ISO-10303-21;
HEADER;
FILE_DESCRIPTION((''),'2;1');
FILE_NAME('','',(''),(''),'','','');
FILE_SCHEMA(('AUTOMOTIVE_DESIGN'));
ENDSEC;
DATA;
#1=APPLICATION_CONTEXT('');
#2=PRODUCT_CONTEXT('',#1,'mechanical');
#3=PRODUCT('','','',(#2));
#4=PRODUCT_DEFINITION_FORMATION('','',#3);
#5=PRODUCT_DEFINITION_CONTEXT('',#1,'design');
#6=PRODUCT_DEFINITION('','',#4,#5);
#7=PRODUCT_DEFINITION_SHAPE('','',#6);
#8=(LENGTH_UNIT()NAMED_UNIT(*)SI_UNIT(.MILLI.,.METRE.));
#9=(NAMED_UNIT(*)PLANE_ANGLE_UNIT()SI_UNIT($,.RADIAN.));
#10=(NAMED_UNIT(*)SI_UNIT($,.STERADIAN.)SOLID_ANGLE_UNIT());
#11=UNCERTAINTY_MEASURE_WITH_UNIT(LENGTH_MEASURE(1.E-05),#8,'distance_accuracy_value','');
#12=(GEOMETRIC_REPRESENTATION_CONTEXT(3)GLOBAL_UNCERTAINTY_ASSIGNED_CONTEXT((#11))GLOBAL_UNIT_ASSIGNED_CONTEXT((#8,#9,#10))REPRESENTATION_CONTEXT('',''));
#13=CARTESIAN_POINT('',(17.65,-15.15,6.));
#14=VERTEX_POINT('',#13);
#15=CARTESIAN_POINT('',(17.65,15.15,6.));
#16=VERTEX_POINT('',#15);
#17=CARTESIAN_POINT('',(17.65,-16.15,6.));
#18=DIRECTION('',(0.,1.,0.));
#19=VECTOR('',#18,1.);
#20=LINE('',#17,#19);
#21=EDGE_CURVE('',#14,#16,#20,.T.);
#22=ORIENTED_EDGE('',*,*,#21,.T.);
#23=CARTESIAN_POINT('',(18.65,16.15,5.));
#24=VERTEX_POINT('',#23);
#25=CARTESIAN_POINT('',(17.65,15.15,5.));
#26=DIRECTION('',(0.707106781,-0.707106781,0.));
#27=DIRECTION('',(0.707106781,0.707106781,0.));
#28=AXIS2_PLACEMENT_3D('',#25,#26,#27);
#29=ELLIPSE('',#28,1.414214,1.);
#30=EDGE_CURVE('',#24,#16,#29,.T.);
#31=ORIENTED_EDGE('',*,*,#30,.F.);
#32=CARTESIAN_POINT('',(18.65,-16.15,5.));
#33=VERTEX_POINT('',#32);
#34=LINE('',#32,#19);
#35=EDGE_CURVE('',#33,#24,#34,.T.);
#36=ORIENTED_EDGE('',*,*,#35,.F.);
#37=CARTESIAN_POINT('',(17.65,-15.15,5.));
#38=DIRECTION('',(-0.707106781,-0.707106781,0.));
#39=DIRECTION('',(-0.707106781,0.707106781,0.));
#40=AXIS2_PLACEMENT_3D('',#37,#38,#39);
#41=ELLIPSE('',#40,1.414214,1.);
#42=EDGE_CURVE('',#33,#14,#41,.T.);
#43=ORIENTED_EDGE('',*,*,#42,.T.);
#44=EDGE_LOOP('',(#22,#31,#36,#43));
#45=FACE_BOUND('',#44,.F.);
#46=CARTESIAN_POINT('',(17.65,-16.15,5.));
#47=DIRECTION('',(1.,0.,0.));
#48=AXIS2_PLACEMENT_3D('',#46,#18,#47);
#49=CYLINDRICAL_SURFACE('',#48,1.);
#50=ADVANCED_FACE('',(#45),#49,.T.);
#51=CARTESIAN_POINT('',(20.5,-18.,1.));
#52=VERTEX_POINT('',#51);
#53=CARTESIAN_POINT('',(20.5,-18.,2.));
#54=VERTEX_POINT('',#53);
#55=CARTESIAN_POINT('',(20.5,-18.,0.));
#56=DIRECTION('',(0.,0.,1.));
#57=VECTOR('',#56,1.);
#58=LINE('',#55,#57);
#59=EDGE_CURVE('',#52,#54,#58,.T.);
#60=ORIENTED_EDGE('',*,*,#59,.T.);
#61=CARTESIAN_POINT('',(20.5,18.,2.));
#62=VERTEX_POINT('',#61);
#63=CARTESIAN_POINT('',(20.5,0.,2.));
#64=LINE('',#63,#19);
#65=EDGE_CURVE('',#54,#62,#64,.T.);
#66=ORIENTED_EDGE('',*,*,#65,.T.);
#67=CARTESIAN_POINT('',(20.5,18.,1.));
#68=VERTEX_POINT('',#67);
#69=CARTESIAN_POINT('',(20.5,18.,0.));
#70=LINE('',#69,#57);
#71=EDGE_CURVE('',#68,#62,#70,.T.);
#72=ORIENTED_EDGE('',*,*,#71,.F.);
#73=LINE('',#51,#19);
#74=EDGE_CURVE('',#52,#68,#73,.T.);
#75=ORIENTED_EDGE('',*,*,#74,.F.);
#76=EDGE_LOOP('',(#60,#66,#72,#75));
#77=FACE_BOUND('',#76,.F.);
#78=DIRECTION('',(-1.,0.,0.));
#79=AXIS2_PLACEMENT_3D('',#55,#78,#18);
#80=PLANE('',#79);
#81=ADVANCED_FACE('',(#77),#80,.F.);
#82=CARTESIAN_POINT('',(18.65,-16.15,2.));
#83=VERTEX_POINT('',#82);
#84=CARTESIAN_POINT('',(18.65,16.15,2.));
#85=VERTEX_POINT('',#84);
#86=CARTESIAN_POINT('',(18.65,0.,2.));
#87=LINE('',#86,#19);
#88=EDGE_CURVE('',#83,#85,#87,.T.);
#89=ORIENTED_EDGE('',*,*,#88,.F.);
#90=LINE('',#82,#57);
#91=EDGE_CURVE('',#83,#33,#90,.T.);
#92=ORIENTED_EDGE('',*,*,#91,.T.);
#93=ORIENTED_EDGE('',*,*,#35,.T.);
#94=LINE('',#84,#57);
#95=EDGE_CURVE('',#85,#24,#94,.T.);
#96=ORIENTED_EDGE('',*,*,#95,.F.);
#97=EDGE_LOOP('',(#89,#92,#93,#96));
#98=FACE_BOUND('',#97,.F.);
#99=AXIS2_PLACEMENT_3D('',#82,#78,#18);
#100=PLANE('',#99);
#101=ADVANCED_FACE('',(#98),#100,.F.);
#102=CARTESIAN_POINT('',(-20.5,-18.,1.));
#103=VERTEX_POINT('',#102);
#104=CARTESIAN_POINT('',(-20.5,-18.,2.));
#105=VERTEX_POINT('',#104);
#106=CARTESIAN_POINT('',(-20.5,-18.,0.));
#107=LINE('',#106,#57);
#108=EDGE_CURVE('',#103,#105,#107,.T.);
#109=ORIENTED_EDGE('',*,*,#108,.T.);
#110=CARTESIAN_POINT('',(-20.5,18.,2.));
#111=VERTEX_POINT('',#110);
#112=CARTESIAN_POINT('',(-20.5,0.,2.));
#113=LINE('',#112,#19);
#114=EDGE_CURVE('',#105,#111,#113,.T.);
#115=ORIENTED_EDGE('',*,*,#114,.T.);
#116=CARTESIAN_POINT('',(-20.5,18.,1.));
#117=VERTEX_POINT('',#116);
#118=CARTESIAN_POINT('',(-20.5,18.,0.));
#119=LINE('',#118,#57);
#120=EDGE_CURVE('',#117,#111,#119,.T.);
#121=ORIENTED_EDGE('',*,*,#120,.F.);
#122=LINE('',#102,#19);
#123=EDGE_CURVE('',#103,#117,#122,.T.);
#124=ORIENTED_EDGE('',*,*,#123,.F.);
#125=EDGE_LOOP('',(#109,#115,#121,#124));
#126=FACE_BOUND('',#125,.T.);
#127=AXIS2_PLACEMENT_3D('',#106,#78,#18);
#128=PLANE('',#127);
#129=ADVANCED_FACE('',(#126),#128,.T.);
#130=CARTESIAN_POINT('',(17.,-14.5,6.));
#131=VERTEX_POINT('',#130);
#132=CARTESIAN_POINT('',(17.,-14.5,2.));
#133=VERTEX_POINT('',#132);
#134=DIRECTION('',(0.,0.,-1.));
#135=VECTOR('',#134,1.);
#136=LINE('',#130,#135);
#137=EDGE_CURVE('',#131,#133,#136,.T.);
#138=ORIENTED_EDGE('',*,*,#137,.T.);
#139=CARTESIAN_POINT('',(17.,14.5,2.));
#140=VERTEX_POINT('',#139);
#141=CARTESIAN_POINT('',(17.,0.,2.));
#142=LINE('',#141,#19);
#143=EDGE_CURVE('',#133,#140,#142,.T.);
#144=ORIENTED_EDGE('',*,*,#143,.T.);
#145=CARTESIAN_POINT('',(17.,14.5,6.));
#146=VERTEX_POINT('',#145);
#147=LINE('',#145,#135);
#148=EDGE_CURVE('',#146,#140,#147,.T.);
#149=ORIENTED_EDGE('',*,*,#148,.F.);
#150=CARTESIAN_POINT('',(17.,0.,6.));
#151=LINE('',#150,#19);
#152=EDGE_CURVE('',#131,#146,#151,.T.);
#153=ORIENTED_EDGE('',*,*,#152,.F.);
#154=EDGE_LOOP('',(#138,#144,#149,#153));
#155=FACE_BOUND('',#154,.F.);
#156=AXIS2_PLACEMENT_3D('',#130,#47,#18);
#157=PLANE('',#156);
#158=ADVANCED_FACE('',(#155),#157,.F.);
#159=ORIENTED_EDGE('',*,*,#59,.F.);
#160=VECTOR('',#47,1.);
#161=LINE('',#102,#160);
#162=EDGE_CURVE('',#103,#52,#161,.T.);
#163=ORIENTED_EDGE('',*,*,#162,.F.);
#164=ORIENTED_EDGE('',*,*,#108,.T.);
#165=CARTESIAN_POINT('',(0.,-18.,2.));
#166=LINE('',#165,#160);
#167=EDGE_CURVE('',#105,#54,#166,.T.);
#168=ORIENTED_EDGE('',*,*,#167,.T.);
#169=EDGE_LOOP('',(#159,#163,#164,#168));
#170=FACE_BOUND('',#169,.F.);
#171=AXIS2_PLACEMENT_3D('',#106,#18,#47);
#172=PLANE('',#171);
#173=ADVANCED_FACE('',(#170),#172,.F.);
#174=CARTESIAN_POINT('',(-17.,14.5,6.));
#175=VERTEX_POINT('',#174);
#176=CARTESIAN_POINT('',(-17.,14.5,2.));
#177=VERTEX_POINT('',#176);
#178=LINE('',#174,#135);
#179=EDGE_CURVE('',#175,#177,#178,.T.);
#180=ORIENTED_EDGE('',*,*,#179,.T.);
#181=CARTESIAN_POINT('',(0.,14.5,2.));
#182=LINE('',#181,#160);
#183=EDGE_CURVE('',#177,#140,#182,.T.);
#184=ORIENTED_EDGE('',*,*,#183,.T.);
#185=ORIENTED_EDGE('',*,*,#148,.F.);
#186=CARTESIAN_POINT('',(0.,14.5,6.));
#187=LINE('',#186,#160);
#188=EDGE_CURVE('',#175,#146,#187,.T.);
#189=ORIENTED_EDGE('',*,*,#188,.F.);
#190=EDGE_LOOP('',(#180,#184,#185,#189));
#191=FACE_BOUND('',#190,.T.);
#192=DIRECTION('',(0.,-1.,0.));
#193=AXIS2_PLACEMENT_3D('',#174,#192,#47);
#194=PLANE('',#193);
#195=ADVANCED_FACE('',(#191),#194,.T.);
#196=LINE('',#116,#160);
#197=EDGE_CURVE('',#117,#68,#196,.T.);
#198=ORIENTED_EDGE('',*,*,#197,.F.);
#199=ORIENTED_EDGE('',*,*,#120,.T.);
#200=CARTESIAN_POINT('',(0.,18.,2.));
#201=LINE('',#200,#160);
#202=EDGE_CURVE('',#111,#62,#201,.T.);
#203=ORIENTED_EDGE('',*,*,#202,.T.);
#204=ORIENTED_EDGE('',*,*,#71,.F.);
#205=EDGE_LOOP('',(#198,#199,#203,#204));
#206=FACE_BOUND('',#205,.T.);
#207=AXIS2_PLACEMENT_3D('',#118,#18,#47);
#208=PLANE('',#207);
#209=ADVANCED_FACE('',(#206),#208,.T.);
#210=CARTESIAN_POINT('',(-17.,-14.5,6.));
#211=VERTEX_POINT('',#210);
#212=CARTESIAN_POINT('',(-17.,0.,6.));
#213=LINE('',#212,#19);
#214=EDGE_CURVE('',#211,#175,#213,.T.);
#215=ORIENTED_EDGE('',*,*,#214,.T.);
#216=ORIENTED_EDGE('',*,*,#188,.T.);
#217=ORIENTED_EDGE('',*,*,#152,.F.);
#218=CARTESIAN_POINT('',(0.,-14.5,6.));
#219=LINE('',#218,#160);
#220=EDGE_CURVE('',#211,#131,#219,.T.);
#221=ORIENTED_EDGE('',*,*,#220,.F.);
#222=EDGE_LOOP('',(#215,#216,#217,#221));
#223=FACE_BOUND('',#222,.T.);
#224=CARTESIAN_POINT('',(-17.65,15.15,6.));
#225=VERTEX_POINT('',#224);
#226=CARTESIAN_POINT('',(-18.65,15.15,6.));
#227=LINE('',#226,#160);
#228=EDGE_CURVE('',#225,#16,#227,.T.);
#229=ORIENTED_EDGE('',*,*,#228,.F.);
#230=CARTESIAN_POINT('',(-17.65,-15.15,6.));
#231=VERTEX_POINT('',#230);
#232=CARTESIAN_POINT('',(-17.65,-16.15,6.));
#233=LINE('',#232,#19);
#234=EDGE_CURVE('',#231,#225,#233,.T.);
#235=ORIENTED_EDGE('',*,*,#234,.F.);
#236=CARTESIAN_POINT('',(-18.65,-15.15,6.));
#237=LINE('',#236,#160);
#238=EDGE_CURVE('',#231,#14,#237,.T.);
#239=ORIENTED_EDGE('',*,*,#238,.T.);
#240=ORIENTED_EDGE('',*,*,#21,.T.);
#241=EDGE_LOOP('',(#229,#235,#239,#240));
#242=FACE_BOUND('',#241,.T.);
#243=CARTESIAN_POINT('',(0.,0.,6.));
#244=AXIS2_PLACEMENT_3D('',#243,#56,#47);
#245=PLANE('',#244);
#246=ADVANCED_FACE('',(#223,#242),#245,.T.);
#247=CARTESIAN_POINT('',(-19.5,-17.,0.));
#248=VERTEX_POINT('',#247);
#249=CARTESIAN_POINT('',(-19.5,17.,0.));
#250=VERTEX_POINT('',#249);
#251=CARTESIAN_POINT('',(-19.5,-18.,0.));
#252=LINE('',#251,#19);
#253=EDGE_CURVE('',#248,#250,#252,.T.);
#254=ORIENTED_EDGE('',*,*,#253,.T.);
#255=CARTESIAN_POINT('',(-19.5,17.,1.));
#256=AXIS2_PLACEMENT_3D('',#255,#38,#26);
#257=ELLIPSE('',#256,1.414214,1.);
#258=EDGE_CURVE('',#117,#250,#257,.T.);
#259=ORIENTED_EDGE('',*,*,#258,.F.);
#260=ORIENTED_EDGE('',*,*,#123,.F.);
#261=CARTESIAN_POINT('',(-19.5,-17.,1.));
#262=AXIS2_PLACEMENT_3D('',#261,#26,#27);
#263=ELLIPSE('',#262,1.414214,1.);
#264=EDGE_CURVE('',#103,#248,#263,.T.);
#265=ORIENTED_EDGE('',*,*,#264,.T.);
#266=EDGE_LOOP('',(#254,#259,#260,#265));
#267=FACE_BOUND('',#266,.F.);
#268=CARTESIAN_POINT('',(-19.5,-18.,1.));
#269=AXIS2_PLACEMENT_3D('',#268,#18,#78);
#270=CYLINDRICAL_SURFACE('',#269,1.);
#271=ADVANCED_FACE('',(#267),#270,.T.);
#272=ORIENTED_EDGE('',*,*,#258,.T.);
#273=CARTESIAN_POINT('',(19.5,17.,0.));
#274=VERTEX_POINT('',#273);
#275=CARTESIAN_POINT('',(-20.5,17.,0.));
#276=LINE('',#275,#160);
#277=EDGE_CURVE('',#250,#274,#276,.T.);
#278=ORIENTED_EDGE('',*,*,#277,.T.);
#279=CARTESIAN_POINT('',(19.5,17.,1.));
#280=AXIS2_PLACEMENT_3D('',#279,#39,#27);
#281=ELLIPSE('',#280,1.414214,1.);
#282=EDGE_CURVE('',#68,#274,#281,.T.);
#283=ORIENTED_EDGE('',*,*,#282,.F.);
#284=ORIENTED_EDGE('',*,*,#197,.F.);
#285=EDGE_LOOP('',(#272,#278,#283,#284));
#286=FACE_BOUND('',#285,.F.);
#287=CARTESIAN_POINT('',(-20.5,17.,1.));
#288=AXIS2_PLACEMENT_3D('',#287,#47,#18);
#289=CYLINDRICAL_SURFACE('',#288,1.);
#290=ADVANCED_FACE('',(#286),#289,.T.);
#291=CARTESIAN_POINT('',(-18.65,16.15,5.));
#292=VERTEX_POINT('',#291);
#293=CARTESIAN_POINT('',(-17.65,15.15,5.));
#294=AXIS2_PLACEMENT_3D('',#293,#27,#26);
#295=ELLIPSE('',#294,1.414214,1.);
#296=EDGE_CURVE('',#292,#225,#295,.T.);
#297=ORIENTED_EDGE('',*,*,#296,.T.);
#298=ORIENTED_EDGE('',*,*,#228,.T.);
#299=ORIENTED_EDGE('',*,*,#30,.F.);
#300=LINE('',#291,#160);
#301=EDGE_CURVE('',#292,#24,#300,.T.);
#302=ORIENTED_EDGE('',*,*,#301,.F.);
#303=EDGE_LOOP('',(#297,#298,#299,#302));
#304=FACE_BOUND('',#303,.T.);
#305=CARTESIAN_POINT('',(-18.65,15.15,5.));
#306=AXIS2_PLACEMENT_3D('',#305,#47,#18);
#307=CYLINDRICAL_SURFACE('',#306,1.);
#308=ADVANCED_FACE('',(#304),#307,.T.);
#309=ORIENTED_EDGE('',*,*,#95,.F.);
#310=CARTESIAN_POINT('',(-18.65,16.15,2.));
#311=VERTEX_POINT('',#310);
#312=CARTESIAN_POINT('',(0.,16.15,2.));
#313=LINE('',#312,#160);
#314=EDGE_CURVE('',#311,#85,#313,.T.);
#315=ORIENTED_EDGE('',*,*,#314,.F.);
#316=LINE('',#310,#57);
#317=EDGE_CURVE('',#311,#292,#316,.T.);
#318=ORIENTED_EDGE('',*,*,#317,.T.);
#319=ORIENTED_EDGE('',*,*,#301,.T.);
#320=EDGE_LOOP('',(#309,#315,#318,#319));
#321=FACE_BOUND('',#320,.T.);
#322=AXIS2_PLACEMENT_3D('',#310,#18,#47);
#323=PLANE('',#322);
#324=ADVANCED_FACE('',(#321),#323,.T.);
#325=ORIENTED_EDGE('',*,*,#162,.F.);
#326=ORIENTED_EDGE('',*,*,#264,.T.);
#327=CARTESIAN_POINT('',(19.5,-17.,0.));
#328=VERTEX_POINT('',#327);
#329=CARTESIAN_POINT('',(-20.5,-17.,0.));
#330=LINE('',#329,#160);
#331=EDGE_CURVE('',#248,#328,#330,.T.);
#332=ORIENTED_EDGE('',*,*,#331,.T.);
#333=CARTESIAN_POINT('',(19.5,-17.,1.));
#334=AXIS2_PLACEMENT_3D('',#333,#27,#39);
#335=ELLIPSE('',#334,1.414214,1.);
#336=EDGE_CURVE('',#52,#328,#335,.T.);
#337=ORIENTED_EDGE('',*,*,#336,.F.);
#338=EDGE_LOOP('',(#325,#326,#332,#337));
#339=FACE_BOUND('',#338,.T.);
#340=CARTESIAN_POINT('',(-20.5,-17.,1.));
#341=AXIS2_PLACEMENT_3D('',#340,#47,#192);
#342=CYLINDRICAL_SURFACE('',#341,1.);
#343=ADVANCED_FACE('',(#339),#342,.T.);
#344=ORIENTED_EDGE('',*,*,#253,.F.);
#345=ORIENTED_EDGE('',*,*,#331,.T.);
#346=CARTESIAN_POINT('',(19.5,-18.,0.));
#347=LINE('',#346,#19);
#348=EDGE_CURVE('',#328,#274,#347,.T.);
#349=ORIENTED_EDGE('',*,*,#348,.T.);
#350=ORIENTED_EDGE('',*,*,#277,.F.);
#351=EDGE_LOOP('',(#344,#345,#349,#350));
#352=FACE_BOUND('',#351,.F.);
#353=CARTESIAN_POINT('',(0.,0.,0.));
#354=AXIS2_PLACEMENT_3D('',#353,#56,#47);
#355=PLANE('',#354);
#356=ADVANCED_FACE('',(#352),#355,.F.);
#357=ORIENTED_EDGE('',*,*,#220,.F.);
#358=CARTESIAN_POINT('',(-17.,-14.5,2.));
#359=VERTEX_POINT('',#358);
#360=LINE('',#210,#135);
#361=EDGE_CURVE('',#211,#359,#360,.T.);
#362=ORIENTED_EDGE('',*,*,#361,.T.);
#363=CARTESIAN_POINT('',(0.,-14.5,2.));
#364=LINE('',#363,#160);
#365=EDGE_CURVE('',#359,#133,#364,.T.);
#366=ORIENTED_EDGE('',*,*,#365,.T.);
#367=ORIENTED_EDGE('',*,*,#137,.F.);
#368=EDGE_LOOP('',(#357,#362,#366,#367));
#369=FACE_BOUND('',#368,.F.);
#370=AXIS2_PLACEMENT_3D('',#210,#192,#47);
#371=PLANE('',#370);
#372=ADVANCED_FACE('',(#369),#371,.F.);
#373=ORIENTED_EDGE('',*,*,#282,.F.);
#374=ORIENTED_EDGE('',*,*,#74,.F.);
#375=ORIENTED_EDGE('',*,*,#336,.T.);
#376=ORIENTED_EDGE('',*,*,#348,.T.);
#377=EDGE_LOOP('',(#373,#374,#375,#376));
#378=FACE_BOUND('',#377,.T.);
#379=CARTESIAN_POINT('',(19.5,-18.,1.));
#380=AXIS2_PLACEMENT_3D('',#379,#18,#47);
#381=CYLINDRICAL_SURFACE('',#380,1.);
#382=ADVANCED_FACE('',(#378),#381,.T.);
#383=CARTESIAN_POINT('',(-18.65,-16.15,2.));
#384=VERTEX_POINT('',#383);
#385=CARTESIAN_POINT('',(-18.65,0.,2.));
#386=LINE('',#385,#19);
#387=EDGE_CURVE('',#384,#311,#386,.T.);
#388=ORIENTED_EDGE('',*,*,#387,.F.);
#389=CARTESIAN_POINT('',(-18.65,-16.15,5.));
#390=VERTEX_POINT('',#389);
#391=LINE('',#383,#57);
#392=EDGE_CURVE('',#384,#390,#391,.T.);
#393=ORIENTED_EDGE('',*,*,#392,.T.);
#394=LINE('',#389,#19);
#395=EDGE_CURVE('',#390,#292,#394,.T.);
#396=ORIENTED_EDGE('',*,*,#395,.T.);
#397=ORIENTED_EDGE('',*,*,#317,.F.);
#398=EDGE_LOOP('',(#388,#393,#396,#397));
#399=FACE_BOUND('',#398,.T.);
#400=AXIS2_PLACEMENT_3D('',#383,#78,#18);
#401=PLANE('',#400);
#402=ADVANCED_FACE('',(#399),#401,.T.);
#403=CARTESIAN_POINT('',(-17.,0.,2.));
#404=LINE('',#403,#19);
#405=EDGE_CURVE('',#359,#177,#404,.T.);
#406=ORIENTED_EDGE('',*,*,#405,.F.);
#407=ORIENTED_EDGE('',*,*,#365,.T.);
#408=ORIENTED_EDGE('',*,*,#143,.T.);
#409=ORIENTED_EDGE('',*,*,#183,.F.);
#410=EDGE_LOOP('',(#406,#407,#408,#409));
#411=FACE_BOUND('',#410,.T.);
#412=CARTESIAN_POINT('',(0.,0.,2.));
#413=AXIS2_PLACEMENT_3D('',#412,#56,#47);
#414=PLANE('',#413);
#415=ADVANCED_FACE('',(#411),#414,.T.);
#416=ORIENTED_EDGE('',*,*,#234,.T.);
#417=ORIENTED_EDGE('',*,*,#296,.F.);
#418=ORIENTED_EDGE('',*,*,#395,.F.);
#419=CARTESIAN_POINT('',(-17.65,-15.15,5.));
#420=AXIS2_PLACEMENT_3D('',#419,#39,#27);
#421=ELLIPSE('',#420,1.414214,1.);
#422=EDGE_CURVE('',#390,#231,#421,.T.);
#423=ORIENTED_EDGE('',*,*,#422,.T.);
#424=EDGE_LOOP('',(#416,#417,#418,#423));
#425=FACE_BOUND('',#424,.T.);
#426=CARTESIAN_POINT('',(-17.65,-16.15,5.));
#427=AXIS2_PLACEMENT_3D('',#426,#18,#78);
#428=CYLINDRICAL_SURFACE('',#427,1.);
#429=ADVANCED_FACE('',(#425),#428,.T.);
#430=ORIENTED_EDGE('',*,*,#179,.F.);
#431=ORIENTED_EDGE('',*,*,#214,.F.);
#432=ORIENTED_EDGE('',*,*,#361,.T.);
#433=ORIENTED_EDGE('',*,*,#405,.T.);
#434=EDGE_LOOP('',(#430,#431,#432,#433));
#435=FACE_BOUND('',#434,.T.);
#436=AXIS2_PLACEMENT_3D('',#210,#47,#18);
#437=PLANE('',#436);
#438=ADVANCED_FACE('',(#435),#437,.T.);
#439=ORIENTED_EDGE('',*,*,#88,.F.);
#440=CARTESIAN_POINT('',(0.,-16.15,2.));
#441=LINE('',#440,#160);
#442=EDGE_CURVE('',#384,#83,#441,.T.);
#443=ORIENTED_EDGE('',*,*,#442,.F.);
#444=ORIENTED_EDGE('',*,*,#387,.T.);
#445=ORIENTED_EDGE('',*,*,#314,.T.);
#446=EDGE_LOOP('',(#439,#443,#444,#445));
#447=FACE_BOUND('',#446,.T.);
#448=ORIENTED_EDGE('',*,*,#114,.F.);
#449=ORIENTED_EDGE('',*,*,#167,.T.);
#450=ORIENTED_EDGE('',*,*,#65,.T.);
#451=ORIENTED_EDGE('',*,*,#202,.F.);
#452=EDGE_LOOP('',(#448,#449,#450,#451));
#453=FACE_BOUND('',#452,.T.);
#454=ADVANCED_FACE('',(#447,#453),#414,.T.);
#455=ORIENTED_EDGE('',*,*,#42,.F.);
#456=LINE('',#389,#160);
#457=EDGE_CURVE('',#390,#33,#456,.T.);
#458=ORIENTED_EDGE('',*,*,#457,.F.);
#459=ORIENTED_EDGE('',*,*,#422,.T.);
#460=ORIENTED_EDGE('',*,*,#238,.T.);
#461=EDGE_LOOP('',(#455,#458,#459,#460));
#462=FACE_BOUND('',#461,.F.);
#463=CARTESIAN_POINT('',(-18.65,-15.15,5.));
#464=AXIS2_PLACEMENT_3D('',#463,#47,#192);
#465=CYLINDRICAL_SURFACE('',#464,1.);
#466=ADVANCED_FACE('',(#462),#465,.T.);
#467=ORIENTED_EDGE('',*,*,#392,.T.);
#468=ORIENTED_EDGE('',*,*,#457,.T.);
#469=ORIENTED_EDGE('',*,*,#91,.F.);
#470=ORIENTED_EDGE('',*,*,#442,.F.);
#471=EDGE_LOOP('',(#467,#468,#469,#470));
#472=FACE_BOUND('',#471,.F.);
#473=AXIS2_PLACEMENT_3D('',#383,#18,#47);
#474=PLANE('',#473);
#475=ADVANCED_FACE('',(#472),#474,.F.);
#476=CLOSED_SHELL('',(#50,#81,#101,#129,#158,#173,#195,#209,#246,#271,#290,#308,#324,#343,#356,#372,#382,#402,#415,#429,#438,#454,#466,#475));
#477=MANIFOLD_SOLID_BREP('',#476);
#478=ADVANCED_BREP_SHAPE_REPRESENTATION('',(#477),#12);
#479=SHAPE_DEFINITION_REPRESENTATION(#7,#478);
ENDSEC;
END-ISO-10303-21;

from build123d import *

# Parameters (mm, degrees)
SKETCH_W     = 41
SKETCH_H     = 36
PAD_DEPTH    = 2
SKETCH001_W  = 37.3
SKETCH001_H  = 32.3
PAD001_DEPTH = 4
SKETCH002_W  = 34
SKETCH002_H  = 29
POCKET_DEPTH = 4
FILLET_R     = 1
FILLET001_R  = 1


with BuildPart() as part:
    # Sketch → Pad (new body)
    with BuildSketch(Plane.XY):
        Rectangle(SKETCH_W, SKETCH_H)
    extrude(amount=PAD_DEPTH)

    # Sketch001 (on Face6 of Pad) → Pad001 (join)
    with BuildSketch(Plane.XY.offset(2)):
        Rectangle(SKETCH001_W, SKETCH001_H)
    extrude(amount=PAD001_DEPTH)

    # Sketch002 (on Face11 of Pad001) → Pocket (cut)
    with BuildSketch(Plane.XY.offset(6)):
        Rectangle(SKETCH002_W, SKETCH002_H)
    extrude(amount=-POCKET_DEPTH, mode=Mode.SUBTRACT)

    # Fillet
    fillet_edges = [part.edges().sort_by_distance(p)[0] for p in [
        (0, 16.15, 6),
        (18.65, 0, 6),
        (0, -16.15, 6),
        (-18.65, 0, 6),
    ]]
    fillet(fillet_edges, radius=FILLET_R)

    # Fillet001
    fillet001_edges = [part.edges().sort_by_distance(p)[0] for p in [
        (0, 18, 0),
        (20.5, 0, 0),
        (0, -18, 0),
        (-20.5, 0, 0),
    ]]
    fillet(fillet001_edges, radius=FILLET001_R)


solid = part.part
